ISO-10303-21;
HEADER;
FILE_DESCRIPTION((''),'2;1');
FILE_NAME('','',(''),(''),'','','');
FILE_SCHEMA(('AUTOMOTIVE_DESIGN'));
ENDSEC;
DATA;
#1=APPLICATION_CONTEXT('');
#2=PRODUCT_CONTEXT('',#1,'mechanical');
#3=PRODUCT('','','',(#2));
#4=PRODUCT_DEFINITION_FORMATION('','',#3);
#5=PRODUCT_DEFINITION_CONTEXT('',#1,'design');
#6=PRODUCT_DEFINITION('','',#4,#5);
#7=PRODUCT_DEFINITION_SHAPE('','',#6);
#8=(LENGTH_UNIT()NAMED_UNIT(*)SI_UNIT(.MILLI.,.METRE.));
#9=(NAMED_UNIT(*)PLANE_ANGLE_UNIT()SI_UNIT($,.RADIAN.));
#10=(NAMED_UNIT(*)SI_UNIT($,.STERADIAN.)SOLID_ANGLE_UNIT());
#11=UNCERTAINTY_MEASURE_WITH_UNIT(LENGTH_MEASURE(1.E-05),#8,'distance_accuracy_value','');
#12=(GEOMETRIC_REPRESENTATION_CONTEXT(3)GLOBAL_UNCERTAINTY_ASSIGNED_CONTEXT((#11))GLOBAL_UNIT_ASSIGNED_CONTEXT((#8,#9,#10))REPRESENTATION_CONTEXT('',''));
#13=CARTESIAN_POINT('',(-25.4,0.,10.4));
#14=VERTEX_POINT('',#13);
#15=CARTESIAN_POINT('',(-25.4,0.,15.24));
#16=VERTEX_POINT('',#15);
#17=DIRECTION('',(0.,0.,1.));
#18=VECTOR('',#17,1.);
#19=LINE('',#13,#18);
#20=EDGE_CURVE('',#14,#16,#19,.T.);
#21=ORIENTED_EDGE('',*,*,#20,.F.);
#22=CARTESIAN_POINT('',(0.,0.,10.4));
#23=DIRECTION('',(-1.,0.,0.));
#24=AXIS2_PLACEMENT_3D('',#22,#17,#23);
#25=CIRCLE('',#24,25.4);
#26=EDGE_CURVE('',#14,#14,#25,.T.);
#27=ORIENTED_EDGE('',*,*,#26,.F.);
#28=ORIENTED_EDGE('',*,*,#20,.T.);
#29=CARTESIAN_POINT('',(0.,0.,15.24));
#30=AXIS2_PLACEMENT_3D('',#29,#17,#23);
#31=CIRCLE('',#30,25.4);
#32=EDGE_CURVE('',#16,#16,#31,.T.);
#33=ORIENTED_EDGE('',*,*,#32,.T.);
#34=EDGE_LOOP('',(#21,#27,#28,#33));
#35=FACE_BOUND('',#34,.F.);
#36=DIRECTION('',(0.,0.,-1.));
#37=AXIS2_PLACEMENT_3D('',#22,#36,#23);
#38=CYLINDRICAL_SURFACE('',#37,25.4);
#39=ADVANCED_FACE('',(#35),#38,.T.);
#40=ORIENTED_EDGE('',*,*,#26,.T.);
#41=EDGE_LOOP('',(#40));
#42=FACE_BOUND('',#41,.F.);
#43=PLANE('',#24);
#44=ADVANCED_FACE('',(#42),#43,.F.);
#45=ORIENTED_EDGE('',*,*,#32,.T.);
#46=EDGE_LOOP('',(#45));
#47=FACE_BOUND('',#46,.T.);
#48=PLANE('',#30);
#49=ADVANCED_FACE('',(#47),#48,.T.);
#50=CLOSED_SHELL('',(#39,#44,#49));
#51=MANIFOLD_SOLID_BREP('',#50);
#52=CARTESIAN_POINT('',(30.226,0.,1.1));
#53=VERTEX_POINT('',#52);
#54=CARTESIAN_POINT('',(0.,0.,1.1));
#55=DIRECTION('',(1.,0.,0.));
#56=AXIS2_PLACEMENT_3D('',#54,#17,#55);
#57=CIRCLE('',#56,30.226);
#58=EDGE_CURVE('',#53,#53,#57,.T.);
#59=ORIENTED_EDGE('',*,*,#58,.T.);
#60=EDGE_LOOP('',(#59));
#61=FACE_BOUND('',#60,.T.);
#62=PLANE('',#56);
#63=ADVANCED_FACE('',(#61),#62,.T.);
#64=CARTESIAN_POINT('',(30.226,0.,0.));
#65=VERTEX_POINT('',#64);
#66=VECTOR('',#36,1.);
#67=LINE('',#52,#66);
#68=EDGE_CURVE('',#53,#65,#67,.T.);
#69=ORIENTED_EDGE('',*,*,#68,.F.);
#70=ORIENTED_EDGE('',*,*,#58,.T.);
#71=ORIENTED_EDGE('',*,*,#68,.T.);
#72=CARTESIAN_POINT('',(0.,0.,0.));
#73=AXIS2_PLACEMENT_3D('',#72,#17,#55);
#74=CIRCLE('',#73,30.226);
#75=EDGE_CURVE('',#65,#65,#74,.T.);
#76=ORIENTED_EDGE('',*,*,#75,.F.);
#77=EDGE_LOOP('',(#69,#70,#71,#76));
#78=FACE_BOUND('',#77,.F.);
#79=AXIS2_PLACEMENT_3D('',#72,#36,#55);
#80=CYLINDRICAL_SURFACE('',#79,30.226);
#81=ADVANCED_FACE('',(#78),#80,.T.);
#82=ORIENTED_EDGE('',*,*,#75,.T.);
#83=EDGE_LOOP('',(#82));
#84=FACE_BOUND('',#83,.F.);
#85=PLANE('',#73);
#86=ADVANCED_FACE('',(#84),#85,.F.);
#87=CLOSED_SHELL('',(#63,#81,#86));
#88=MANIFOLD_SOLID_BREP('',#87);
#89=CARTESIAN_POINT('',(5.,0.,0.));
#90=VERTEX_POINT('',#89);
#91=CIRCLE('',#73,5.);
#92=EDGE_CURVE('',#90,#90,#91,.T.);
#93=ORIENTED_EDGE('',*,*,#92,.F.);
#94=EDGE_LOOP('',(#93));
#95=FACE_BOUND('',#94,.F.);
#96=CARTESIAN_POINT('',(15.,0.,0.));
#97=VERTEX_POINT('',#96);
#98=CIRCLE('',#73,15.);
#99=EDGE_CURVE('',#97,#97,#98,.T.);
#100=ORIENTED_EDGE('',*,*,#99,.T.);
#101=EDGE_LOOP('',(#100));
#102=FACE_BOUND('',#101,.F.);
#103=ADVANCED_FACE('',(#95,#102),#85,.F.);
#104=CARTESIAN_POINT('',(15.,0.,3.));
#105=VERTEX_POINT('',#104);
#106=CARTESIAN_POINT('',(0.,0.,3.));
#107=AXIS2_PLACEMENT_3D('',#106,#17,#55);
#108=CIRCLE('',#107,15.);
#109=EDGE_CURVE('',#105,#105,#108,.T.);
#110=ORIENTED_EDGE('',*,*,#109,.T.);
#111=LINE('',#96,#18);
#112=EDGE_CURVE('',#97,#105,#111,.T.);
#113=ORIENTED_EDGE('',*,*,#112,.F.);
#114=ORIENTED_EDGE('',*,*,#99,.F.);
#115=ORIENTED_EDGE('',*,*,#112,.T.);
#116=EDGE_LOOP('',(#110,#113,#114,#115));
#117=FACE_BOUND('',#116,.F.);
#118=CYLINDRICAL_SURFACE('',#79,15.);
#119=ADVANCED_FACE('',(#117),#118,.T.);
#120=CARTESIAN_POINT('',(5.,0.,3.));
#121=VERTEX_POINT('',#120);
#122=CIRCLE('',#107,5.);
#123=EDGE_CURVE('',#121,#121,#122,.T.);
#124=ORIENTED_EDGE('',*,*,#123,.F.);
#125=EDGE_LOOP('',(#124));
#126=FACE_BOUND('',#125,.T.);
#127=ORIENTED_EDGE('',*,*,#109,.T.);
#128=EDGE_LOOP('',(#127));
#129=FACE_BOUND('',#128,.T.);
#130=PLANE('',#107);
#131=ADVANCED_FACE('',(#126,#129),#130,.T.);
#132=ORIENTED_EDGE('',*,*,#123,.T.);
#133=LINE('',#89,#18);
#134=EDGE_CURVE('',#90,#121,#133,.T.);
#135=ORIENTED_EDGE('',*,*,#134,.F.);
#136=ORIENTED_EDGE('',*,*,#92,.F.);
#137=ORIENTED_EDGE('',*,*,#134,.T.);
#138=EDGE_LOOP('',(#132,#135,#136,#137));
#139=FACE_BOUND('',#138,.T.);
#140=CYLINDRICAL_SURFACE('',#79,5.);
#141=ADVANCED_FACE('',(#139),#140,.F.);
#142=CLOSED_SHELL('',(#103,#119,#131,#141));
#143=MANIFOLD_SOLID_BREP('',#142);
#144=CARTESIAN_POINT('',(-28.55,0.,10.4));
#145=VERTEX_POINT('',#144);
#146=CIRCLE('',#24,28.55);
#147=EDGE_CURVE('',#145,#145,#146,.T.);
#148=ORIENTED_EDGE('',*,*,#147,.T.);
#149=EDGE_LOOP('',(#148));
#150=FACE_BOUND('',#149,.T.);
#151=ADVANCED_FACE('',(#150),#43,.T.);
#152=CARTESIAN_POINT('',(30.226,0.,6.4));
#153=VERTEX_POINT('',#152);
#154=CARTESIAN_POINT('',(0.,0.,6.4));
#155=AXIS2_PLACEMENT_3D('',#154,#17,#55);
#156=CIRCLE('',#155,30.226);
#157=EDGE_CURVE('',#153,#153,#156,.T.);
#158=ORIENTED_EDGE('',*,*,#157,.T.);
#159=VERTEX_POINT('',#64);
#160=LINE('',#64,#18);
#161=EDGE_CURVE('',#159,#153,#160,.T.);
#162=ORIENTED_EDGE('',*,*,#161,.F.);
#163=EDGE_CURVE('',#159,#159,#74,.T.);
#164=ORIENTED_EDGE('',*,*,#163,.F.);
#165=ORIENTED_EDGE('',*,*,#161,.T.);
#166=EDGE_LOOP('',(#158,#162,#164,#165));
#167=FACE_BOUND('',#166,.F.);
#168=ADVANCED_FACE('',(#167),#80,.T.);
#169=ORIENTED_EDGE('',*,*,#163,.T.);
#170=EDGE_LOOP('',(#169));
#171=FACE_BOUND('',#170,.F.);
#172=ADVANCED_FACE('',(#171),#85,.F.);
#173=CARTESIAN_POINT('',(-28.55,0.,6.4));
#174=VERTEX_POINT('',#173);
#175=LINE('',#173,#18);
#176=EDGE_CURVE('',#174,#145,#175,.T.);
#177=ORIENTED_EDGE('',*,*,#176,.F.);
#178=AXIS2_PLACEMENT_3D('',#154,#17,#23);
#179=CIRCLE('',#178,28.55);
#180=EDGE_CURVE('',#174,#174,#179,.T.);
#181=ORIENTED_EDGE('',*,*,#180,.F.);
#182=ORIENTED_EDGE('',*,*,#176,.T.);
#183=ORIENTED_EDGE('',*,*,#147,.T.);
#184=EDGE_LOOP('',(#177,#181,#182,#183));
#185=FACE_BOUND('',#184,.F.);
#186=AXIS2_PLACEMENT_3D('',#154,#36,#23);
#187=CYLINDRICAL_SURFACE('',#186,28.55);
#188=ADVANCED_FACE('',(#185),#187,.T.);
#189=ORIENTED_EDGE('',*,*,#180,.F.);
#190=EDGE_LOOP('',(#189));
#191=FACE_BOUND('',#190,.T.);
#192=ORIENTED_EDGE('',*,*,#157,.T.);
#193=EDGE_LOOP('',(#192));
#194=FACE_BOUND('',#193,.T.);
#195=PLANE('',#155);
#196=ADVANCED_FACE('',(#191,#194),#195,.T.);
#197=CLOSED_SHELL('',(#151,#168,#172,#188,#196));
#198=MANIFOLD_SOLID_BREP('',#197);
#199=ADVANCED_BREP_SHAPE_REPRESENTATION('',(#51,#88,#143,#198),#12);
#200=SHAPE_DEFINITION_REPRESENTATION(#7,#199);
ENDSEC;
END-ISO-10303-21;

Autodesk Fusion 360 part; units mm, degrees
sketch "Sketch1" plane through (0, 0, 0) normal (0, 0, 1) x (1, 0, 0)
  circle A0 centre (0, 0) radius 7
  dimension "d1" = 14
extrude "Extrude1" add sketch "Sketch1" along normal blind 1.1

Autodesk Fusion 360 part; units mm, degrees
sketch "Sketch1" plane through (0, 0, 0) normal (0, 0, 1) x (1, 0, 0)
  line L0 (7.5, 7.5) -> (-7.5, 7.5)
  line L1 (-7.5, 7.5) -> (-7.5, -7.5)
  line L2 (-7.5, -7.5) -> (7.5, -7.5)
  line L3 (7.5, -7.5) -> (7.5, 7.5)
  line L4 (7.5, 7.5) -> (-7.5, -7.5) construction
  line L5 (-7.5, 7.5) -> (7.5, -7.5) construction
  dimension "d2" = 15
extrude "Extrude1" add sketch "Sketch1" along normal blind 0.2

Autodesk Fusion 360 part; units mm, degrees
sketch "Sketch1" plane through (0, 0, 0) normal (0, 0, 1) x (1, 0, 0)
  circle A0 centre (0, 0) radius 1.5 construction
  circle A1 centre (0, 0) radius 3.2 construction
  circle A2 centre (0, 0) radius 6.2 construction
  circle A3 centre (0, 0) radius 18 construction
  dimension "d1" = 3
  dimension "d2" = 6.4
  dimension "d3" = 12.4
  dimension "d4" = 36
sketch "Sketch1 (2)" plane through (0, 0, 0) normal (0, 0, 1) x (1, 0, 0) in component "Inner Disc"
  circle A0 centre (0, 0) radius 3
  dimension "d5" = 6
extrude "Extrude1" add sketch "Sketch1 (2)" along normal blind 3 makes body 1 in component "Inner Disc"
sketch "Sketch1 (3)" plane through (0, 0, 0) normal (0, 0, 1) x (1, 0, 0) in component "Spacer Ring"
  circle A0 centre (0, 0) radius 3
  circle A1 centre (0, 0) radius 5
  dimension "d8" = 6
  dimension "d9" = 10
extrude "Extrude1'" add sketch "Sketch1 (3)" along normal blind 3.15 separate body makes body 2 in component "Spacer Ring"
sketch "Sketch1 (4)" plane through (0, 0, 0) normal (0, 0, 1) x (1, 0, 0) in component "Outer Ring"
  circle A0 centre (0, 0) radius 5
  circle A1 centre (0, 0) radius 15
  dimension "d12" = 10
  dimension "d13" = 30
extrude "Extrude1''" add sketch "Sketch1 (4)" along normal blind 3 separate body makes body 3 in component "Outer Ring"
fillet "Fillet1" radius 0.15 1 edges at (-4.6616, -1.8081, 3.15) on bodies 2 in component "Spacer Ring"
fillet "Fillet2" radius 0.15 1 edges at (-2.797, 1.0848, 3.15) on bodies 2 in component "Spacer Ring"
component "Outer Ring" placed x (1, 0, 0) y (0, 1, 0) z (0, 0, 1) at (0, 0, 0)
component "Spacer Ring" placed x (1, 0, 0) y (0, 1, 0) z (0, 0, 1) at (0, 0, 0)
component "Inner Disc" placed x (1, 0, 0) y (0, 1, 0) z (0, 0, 1) at (0, 0, 0)

Autodesk Fusion 360 part; units mm, degrees
sketch "Sketch1" plane through (0, 0, 0) normal (0, 0, 1) x (1, 0, 0)
  circle A0 centre (0, 0) radius 30.226
  dimension "d1" = 60.452
extrude "Extrude1" add sketch "Sketch1" along normal blind 6.4 makes body 1
sketch "Sketch2" plane through (0, 0, 6.4) normal (0, 0, 1) x (-1, 0, 0)
  circle A0 centre (0, 0) radius 30.226
  circle A1 centre (0, 0) radius 28.55
  dimension "d4" = 57.1
extrude "Extrude2" add sketch "Sketch2" along normal blind 4 contours A1 bodies 1
sketch "Sketch3" plane through (0, 0, 10.4) normal (0, 0, 1) x (-1, 0, 0)
  circle A0 centre (0, 0) radius 28.55
  circle A1 centre (0, 0) radius 25.4
  dimension "d7" = 50.8
extrude "Extrude3" add sketch "Sketch3" along normal blind 4.84 separate body contours A1 makes body 2
equation "d5 = 10.40 mm - 6.40 mm"
equation "d8 = 0.60 in - 10.40 mm"
